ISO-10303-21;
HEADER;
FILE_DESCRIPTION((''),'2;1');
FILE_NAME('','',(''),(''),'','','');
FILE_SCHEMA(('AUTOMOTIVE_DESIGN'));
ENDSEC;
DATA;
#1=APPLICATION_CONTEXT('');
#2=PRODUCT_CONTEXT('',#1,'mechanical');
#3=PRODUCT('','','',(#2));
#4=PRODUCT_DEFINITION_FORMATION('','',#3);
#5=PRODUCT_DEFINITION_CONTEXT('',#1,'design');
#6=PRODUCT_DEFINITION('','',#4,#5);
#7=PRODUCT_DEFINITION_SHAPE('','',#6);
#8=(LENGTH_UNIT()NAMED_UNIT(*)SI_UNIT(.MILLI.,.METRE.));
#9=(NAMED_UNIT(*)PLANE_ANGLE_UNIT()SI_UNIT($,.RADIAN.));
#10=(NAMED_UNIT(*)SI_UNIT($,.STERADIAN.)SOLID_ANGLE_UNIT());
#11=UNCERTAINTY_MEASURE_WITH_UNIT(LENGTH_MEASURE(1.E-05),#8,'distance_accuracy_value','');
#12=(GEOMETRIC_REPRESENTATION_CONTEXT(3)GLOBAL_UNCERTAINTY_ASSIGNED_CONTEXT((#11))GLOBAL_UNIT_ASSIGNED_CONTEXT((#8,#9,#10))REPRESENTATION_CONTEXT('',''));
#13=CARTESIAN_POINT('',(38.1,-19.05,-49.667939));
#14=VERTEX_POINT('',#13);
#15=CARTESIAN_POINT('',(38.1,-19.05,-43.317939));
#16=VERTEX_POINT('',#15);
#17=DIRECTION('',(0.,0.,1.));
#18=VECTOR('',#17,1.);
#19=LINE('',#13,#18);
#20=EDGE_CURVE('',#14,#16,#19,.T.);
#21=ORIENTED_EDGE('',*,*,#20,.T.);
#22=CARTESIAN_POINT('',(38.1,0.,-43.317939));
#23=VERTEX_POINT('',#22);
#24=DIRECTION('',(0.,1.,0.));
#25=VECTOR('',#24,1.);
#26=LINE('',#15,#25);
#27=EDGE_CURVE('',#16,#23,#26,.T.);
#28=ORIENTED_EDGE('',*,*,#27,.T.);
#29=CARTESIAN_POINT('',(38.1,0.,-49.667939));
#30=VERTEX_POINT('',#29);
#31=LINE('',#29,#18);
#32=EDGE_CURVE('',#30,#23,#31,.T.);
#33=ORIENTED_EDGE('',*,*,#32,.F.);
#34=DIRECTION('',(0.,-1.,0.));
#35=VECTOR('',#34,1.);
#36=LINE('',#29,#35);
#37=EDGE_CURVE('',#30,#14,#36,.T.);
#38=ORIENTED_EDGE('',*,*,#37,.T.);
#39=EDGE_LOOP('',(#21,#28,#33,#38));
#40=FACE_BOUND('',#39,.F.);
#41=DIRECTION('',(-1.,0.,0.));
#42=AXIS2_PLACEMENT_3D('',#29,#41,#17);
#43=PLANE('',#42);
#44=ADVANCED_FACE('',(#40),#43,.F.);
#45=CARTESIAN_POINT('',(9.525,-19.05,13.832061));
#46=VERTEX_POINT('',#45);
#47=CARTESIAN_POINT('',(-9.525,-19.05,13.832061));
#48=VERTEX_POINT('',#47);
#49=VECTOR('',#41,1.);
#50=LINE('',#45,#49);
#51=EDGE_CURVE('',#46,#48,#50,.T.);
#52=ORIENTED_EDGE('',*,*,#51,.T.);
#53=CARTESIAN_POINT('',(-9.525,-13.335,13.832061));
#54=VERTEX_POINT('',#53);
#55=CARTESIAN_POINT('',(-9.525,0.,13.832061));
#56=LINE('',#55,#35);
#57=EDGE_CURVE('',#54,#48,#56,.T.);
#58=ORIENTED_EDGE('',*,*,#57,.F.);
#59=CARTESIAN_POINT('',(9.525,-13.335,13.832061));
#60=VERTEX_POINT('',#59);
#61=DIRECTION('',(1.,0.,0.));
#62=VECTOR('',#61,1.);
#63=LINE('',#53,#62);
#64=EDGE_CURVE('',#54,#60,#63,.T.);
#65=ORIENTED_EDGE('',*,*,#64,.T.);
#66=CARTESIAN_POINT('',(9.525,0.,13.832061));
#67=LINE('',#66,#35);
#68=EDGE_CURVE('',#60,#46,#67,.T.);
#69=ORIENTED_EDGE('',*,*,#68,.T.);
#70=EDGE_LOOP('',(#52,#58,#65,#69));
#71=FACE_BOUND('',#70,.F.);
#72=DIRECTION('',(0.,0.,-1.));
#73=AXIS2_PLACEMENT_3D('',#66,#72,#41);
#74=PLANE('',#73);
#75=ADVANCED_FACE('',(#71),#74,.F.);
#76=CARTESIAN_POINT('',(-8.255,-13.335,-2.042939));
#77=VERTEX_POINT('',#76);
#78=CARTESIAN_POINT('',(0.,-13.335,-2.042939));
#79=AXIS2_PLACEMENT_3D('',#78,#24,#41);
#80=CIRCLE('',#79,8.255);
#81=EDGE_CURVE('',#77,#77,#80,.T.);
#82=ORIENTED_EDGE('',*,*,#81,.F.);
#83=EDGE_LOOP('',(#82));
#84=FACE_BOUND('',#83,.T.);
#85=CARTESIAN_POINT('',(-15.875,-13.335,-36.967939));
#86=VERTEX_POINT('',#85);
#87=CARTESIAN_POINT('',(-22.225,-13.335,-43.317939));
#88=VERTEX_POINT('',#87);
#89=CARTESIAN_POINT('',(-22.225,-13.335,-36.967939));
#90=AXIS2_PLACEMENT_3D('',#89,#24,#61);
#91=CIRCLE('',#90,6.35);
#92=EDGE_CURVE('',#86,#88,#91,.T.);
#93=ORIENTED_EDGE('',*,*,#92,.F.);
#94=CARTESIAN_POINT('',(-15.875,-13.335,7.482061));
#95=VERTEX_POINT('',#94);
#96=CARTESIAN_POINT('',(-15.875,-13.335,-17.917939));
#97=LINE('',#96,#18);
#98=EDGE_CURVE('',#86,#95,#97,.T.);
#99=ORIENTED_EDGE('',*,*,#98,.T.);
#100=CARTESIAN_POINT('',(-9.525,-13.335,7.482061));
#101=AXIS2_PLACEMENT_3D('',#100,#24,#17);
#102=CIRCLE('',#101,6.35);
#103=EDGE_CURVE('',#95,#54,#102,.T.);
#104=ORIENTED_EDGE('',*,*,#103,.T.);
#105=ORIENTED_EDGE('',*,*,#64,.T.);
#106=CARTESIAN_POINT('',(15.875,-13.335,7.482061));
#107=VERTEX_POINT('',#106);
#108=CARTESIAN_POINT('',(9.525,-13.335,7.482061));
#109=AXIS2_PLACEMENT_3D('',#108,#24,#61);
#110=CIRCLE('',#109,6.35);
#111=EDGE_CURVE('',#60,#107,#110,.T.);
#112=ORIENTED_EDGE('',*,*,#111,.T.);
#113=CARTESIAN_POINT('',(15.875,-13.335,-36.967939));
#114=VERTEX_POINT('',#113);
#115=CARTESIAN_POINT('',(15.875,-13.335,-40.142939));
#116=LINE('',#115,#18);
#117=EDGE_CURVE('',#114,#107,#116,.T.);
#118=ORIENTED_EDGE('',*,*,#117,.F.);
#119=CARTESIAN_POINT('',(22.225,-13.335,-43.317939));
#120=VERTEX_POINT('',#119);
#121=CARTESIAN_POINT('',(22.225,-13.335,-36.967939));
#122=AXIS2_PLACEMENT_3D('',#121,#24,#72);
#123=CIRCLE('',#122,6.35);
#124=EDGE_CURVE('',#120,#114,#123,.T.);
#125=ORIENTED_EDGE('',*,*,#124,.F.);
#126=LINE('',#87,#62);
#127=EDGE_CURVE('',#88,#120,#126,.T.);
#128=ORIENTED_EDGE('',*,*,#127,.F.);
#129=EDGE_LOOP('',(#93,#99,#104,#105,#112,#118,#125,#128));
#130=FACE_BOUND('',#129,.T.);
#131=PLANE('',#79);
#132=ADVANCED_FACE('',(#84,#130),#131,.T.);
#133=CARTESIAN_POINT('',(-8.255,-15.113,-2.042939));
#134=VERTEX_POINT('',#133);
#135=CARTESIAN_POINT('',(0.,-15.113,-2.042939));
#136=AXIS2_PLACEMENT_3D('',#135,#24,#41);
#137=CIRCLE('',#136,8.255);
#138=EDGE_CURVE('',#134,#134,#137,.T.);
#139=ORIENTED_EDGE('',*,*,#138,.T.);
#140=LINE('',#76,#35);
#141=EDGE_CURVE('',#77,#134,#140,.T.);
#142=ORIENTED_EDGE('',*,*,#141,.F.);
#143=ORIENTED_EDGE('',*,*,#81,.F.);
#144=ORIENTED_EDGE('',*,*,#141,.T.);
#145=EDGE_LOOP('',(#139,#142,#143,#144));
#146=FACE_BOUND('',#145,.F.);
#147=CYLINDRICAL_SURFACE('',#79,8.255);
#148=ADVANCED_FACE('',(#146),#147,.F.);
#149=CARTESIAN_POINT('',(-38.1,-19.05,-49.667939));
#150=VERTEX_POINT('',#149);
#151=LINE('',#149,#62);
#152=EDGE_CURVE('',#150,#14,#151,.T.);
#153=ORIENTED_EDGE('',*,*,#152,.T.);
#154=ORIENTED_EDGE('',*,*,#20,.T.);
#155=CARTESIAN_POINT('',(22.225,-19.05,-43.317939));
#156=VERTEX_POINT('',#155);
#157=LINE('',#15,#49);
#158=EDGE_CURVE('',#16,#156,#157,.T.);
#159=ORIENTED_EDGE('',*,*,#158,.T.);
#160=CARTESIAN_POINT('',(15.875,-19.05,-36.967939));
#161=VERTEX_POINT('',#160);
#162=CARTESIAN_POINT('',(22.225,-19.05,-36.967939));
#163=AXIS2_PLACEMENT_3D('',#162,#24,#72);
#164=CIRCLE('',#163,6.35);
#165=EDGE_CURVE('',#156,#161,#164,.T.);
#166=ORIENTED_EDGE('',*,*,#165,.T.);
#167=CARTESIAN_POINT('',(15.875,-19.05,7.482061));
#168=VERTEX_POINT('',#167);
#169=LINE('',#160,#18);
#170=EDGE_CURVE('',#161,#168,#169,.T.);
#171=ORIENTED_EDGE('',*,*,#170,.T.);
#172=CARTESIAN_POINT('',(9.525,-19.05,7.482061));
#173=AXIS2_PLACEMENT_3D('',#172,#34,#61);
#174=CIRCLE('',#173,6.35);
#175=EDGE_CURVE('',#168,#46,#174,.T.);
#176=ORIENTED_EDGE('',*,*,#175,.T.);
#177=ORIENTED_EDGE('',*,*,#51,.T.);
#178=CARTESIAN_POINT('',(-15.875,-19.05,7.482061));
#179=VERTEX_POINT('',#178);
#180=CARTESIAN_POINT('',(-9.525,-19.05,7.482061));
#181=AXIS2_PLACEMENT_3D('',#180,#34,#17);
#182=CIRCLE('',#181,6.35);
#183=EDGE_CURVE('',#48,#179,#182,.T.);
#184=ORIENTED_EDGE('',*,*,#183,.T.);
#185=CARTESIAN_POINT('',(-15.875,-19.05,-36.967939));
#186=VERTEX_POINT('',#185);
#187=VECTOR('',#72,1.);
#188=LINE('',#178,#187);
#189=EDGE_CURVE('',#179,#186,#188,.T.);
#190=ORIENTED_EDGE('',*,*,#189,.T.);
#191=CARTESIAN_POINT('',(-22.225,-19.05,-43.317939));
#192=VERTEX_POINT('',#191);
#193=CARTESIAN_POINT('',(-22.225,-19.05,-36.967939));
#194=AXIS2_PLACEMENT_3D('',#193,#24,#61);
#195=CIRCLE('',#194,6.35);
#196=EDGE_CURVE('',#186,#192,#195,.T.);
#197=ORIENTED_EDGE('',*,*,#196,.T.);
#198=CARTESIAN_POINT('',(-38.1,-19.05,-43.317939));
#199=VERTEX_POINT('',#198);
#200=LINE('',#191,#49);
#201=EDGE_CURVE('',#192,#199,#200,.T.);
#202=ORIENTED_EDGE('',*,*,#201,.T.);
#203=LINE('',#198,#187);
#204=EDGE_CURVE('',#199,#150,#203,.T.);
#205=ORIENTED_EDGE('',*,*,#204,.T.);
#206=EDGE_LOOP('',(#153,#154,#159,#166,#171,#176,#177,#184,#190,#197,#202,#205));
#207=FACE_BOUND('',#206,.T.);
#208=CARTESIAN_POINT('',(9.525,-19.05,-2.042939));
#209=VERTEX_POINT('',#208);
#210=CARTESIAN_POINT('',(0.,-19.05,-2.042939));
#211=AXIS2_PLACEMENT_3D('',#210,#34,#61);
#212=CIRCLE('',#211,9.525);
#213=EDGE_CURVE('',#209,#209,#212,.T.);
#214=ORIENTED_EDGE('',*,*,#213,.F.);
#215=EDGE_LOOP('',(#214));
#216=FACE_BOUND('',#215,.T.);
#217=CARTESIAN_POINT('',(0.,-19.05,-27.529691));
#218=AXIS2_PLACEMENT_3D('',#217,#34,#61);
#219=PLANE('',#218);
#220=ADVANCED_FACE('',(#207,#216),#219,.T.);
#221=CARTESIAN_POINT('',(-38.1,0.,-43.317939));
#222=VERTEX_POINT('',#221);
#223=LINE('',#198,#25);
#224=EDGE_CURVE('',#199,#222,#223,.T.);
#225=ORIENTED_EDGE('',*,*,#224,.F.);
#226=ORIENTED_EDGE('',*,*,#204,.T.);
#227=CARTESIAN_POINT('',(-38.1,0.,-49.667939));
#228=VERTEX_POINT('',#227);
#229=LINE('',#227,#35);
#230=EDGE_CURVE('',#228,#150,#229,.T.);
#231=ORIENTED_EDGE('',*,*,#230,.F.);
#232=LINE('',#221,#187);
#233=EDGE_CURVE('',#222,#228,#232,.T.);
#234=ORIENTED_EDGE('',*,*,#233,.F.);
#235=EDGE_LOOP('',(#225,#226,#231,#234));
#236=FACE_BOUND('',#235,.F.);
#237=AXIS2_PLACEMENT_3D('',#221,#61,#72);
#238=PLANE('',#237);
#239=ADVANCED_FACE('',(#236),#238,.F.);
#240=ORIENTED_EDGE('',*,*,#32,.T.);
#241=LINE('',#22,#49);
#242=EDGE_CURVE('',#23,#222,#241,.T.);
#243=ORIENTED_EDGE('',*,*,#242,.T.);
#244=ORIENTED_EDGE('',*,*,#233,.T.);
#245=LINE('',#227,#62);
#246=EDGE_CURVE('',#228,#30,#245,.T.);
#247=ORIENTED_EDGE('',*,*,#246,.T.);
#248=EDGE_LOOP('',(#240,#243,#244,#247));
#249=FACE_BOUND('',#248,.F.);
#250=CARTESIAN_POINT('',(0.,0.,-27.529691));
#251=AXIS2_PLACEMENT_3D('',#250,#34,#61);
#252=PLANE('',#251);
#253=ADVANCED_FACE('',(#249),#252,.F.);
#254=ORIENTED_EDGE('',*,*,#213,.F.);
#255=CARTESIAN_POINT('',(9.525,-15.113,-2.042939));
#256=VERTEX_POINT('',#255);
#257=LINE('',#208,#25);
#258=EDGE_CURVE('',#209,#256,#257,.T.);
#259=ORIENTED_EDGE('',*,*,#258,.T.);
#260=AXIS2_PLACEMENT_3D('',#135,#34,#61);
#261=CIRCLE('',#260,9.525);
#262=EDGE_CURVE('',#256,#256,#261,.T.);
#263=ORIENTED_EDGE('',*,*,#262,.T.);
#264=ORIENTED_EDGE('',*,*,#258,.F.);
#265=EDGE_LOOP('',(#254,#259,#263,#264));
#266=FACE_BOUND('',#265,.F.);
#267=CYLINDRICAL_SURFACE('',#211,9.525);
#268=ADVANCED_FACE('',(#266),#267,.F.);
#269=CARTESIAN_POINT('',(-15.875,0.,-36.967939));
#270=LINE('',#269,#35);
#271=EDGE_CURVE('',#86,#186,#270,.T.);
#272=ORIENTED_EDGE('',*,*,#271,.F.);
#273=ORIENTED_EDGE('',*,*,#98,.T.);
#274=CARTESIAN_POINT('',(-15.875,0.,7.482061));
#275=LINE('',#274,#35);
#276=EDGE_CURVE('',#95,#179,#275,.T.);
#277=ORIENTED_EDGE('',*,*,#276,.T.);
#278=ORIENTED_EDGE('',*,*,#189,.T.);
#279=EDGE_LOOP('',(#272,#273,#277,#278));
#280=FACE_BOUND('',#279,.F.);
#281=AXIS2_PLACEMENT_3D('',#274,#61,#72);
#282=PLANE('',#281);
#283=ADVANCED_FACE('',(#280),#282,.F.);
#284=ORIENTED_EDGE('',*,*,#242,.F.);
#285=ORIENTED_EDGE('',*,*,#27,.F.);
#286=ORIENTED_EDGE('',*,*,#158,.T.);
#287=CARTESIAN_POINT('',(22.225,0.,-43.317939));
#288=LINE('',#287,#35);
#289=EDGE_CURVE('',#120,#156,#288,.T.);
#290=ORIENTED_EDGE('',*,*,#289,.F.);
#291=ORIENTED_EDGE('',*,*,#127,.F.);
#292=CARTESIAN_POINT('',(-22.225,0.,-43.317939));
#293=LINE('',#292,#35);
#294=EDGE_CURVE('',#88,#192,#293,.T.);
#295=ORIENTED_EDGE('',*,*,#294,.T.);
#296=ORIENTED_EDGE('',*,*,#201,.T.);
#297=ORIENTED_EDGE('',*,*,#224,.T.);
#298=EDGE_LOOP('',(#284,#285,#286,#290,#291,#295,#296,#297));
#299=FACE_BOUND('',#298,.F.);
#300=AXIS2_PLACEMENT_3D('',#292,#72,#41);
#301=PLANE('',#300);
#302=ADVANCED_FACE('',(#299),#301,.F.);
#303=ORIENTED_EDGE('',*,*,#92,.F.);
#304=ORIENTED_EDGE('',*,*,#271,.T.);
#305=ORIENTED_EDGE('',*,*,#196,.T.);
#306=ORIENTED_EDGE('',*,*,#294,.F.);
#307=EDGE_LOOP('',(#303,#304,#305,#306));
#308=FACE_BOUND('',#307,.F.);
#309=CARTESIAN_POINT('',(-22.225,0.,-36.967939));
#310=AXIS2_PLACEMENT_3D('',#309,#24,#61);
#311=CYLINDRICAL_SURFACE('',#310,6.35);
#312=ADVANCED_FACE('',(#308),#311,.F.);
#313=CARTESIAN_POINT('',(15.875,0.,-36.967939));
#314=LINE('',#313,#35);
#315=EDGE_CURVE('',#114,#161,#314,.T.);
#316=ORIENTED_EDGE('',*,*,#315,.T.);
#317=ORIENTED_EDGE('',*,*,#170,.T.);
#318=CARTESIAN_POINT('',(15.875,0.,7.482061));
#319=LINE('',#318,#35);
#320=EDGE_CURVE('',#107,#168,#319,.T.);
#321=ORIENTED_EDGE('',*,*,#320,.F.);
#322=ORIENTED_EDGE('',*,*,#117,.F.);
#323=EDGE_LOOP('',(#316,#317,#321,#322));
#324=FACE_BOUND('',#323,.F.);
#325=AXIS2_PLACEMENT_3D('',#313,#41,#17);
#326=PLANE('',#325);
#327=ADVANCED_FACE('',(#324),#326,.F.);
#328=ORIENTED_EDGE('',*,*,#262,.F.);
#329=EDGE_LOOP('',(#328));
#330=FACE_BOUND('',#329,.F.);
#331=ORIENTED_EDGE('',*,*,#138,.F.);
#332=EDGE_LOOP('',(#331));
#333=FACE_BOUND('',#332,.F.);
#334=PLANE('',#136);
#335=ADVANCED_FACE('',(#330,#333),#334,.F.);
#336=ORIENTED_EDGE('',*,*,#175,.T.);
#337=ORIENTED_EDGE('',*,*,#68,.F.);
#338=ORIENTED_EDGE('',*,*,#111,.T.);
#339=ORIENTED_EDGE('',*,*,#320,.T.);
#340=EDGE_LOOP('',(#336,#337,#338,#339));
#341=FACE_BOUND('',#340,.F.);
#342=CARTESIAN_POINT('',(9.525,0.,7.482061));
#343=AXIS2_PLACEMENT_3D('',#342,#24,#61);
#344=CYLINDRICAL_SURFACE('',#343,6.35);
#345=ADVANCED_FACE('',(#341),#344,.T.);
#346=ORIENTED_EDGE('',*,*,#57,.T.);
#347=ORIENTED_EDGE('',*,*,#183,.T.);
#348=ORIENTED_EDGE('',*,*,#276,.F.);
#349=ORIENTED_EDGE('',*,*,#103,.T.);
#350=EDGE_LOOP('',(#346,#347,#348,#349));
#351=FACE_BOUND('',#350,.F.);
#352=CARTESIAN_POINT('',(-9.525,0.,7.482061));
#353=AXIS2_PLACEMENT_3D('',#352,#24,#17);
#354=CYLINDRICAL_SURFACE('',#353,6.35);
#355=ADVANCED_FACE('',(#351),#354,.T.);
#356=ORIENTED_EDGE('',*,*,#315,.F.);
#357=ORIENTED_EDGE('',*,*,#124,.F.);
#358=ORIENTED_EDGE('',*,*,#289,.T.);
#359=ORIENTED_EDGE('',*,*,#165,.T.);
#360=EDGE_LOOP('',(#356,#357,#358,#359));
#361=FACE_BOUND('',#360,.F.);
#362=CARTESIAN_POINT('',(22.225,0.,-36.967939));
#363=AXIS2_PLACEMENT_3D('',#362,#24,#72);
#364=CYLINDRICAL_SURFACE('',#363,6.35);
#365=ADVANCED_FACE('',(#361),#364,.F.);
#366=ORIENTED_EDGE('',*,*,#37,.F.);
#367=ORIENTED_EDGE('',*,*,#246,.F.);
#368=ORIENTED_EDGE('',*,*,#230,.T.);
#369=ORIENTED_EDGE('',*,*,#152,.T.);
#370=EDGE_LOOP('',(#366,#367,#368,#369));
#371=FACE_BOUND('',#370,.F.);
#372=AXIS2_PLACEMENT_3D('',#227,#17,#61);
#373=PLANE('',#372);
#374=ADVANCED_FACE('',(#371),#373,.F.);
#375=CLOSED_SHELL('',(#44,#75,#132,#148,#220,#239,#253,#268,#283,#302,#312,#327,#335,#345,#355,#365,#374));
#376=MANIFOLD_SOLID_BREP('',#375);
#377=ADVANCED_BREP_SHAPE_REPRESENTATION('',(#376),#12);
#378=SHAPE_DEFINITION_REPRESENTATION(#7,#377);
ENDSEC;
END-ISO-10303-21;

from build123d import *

# Parameters (mm, degrees)
F1_DEPTH      = 19.05
F2_W          = 26.162
F2_H          = 57.15
F3_DEPTH      = 38.101
F3_DEPTH_BACK = 38.101
F4_R          = 9.525
F5_DEPTH      = 19.051
F6_R          = 9.525
F6_R_2        = 8.255
F7_DEPTH      = 1.778


with BuildPart() as f1:
    # F0 (on Front) → F1 (new body)
    with BuildSketch(Plane.XZ):
        with BuildLine():
            Line((-38.1, -43.3179386414), (-38.1, -49.6679386414))
            Line((-38.1, -49.6679386414), (38.1, -49.6679386414))
            Line((38.1, -49.6679386414), (38.1, -43.3179386414))
            Line((38.1, -43.3179386414), (22.225, -43.3179386414))
            ThreePointArc((22.225, -43.3179386414), (17.7348719395, -41.458066702), (15.875, -36.9679386414))
            Line((15.875, -36.9679386414), (15.875, 7.4820613586))
            ThreePointArc((15.875, 7.4820613586), (14.0151280605, 11.9721894191), (9.525, 13.8320613586))
            Line((9.525, 13.8320613586), (-9.525, 13.8320613586))
            ThreePointArc((-9.525, 13.8320613586), (-14.0151280605, 11.9721894191), (-15.875, 7.4820613586))
            Line((-15.875, 7.4820613586), (-15.875, -36.9679386414))
            ThreePointArc((-15.875, -36.9679386414), (-17.7348719395, -41.458066702), (-22.225, -43.3179386414))
            Line((-22.225, -43.3179386414), (-38.1, -43.3179386414))
        make_face()
    extrude(amount=F1_DEPTH)

    # F2 (on Right) → F3 (cut, two sides)
    with BuildSketch(Plane.YZ) as f3_sk:
        with Locations((-0.254, -14.7429386414)):
            Rectangle(F2_W, F2_H)
    extrude(amount=-F3_DEPTH, mode=Mode.SUBTRACT)
    extrude(f3_sk.sketch, amount=F3_DEPTH_BACK, mode=Mode.SUBTRACT)

    # F4 (on face) → F5 (cut, through all)
    with BuildSketch(Plane.XZ.offset(19.05)):
        with Locations((0, -2.0429386414)):
            Circle(F4_R)
    extrude(amount=-F5_DEPTH, mode=Mode.SUBTRACT)

    # F6 (on face) → F7 (join)
    with BuildSketch(Plane(origin=(0, -13.335, 0), x_dir=(-1, 0, 0), z_dir=(0, 1, 0))):
        with Locations((0, -2.0429386414)):
            Circle(F6_R)
        with Locations((0, -2.0429386414)):
            Circle(F6_R_2, mode=Mode.SUBTRACT)
    extrude(amount=-F7_DEPTH)


solid = f1.part
